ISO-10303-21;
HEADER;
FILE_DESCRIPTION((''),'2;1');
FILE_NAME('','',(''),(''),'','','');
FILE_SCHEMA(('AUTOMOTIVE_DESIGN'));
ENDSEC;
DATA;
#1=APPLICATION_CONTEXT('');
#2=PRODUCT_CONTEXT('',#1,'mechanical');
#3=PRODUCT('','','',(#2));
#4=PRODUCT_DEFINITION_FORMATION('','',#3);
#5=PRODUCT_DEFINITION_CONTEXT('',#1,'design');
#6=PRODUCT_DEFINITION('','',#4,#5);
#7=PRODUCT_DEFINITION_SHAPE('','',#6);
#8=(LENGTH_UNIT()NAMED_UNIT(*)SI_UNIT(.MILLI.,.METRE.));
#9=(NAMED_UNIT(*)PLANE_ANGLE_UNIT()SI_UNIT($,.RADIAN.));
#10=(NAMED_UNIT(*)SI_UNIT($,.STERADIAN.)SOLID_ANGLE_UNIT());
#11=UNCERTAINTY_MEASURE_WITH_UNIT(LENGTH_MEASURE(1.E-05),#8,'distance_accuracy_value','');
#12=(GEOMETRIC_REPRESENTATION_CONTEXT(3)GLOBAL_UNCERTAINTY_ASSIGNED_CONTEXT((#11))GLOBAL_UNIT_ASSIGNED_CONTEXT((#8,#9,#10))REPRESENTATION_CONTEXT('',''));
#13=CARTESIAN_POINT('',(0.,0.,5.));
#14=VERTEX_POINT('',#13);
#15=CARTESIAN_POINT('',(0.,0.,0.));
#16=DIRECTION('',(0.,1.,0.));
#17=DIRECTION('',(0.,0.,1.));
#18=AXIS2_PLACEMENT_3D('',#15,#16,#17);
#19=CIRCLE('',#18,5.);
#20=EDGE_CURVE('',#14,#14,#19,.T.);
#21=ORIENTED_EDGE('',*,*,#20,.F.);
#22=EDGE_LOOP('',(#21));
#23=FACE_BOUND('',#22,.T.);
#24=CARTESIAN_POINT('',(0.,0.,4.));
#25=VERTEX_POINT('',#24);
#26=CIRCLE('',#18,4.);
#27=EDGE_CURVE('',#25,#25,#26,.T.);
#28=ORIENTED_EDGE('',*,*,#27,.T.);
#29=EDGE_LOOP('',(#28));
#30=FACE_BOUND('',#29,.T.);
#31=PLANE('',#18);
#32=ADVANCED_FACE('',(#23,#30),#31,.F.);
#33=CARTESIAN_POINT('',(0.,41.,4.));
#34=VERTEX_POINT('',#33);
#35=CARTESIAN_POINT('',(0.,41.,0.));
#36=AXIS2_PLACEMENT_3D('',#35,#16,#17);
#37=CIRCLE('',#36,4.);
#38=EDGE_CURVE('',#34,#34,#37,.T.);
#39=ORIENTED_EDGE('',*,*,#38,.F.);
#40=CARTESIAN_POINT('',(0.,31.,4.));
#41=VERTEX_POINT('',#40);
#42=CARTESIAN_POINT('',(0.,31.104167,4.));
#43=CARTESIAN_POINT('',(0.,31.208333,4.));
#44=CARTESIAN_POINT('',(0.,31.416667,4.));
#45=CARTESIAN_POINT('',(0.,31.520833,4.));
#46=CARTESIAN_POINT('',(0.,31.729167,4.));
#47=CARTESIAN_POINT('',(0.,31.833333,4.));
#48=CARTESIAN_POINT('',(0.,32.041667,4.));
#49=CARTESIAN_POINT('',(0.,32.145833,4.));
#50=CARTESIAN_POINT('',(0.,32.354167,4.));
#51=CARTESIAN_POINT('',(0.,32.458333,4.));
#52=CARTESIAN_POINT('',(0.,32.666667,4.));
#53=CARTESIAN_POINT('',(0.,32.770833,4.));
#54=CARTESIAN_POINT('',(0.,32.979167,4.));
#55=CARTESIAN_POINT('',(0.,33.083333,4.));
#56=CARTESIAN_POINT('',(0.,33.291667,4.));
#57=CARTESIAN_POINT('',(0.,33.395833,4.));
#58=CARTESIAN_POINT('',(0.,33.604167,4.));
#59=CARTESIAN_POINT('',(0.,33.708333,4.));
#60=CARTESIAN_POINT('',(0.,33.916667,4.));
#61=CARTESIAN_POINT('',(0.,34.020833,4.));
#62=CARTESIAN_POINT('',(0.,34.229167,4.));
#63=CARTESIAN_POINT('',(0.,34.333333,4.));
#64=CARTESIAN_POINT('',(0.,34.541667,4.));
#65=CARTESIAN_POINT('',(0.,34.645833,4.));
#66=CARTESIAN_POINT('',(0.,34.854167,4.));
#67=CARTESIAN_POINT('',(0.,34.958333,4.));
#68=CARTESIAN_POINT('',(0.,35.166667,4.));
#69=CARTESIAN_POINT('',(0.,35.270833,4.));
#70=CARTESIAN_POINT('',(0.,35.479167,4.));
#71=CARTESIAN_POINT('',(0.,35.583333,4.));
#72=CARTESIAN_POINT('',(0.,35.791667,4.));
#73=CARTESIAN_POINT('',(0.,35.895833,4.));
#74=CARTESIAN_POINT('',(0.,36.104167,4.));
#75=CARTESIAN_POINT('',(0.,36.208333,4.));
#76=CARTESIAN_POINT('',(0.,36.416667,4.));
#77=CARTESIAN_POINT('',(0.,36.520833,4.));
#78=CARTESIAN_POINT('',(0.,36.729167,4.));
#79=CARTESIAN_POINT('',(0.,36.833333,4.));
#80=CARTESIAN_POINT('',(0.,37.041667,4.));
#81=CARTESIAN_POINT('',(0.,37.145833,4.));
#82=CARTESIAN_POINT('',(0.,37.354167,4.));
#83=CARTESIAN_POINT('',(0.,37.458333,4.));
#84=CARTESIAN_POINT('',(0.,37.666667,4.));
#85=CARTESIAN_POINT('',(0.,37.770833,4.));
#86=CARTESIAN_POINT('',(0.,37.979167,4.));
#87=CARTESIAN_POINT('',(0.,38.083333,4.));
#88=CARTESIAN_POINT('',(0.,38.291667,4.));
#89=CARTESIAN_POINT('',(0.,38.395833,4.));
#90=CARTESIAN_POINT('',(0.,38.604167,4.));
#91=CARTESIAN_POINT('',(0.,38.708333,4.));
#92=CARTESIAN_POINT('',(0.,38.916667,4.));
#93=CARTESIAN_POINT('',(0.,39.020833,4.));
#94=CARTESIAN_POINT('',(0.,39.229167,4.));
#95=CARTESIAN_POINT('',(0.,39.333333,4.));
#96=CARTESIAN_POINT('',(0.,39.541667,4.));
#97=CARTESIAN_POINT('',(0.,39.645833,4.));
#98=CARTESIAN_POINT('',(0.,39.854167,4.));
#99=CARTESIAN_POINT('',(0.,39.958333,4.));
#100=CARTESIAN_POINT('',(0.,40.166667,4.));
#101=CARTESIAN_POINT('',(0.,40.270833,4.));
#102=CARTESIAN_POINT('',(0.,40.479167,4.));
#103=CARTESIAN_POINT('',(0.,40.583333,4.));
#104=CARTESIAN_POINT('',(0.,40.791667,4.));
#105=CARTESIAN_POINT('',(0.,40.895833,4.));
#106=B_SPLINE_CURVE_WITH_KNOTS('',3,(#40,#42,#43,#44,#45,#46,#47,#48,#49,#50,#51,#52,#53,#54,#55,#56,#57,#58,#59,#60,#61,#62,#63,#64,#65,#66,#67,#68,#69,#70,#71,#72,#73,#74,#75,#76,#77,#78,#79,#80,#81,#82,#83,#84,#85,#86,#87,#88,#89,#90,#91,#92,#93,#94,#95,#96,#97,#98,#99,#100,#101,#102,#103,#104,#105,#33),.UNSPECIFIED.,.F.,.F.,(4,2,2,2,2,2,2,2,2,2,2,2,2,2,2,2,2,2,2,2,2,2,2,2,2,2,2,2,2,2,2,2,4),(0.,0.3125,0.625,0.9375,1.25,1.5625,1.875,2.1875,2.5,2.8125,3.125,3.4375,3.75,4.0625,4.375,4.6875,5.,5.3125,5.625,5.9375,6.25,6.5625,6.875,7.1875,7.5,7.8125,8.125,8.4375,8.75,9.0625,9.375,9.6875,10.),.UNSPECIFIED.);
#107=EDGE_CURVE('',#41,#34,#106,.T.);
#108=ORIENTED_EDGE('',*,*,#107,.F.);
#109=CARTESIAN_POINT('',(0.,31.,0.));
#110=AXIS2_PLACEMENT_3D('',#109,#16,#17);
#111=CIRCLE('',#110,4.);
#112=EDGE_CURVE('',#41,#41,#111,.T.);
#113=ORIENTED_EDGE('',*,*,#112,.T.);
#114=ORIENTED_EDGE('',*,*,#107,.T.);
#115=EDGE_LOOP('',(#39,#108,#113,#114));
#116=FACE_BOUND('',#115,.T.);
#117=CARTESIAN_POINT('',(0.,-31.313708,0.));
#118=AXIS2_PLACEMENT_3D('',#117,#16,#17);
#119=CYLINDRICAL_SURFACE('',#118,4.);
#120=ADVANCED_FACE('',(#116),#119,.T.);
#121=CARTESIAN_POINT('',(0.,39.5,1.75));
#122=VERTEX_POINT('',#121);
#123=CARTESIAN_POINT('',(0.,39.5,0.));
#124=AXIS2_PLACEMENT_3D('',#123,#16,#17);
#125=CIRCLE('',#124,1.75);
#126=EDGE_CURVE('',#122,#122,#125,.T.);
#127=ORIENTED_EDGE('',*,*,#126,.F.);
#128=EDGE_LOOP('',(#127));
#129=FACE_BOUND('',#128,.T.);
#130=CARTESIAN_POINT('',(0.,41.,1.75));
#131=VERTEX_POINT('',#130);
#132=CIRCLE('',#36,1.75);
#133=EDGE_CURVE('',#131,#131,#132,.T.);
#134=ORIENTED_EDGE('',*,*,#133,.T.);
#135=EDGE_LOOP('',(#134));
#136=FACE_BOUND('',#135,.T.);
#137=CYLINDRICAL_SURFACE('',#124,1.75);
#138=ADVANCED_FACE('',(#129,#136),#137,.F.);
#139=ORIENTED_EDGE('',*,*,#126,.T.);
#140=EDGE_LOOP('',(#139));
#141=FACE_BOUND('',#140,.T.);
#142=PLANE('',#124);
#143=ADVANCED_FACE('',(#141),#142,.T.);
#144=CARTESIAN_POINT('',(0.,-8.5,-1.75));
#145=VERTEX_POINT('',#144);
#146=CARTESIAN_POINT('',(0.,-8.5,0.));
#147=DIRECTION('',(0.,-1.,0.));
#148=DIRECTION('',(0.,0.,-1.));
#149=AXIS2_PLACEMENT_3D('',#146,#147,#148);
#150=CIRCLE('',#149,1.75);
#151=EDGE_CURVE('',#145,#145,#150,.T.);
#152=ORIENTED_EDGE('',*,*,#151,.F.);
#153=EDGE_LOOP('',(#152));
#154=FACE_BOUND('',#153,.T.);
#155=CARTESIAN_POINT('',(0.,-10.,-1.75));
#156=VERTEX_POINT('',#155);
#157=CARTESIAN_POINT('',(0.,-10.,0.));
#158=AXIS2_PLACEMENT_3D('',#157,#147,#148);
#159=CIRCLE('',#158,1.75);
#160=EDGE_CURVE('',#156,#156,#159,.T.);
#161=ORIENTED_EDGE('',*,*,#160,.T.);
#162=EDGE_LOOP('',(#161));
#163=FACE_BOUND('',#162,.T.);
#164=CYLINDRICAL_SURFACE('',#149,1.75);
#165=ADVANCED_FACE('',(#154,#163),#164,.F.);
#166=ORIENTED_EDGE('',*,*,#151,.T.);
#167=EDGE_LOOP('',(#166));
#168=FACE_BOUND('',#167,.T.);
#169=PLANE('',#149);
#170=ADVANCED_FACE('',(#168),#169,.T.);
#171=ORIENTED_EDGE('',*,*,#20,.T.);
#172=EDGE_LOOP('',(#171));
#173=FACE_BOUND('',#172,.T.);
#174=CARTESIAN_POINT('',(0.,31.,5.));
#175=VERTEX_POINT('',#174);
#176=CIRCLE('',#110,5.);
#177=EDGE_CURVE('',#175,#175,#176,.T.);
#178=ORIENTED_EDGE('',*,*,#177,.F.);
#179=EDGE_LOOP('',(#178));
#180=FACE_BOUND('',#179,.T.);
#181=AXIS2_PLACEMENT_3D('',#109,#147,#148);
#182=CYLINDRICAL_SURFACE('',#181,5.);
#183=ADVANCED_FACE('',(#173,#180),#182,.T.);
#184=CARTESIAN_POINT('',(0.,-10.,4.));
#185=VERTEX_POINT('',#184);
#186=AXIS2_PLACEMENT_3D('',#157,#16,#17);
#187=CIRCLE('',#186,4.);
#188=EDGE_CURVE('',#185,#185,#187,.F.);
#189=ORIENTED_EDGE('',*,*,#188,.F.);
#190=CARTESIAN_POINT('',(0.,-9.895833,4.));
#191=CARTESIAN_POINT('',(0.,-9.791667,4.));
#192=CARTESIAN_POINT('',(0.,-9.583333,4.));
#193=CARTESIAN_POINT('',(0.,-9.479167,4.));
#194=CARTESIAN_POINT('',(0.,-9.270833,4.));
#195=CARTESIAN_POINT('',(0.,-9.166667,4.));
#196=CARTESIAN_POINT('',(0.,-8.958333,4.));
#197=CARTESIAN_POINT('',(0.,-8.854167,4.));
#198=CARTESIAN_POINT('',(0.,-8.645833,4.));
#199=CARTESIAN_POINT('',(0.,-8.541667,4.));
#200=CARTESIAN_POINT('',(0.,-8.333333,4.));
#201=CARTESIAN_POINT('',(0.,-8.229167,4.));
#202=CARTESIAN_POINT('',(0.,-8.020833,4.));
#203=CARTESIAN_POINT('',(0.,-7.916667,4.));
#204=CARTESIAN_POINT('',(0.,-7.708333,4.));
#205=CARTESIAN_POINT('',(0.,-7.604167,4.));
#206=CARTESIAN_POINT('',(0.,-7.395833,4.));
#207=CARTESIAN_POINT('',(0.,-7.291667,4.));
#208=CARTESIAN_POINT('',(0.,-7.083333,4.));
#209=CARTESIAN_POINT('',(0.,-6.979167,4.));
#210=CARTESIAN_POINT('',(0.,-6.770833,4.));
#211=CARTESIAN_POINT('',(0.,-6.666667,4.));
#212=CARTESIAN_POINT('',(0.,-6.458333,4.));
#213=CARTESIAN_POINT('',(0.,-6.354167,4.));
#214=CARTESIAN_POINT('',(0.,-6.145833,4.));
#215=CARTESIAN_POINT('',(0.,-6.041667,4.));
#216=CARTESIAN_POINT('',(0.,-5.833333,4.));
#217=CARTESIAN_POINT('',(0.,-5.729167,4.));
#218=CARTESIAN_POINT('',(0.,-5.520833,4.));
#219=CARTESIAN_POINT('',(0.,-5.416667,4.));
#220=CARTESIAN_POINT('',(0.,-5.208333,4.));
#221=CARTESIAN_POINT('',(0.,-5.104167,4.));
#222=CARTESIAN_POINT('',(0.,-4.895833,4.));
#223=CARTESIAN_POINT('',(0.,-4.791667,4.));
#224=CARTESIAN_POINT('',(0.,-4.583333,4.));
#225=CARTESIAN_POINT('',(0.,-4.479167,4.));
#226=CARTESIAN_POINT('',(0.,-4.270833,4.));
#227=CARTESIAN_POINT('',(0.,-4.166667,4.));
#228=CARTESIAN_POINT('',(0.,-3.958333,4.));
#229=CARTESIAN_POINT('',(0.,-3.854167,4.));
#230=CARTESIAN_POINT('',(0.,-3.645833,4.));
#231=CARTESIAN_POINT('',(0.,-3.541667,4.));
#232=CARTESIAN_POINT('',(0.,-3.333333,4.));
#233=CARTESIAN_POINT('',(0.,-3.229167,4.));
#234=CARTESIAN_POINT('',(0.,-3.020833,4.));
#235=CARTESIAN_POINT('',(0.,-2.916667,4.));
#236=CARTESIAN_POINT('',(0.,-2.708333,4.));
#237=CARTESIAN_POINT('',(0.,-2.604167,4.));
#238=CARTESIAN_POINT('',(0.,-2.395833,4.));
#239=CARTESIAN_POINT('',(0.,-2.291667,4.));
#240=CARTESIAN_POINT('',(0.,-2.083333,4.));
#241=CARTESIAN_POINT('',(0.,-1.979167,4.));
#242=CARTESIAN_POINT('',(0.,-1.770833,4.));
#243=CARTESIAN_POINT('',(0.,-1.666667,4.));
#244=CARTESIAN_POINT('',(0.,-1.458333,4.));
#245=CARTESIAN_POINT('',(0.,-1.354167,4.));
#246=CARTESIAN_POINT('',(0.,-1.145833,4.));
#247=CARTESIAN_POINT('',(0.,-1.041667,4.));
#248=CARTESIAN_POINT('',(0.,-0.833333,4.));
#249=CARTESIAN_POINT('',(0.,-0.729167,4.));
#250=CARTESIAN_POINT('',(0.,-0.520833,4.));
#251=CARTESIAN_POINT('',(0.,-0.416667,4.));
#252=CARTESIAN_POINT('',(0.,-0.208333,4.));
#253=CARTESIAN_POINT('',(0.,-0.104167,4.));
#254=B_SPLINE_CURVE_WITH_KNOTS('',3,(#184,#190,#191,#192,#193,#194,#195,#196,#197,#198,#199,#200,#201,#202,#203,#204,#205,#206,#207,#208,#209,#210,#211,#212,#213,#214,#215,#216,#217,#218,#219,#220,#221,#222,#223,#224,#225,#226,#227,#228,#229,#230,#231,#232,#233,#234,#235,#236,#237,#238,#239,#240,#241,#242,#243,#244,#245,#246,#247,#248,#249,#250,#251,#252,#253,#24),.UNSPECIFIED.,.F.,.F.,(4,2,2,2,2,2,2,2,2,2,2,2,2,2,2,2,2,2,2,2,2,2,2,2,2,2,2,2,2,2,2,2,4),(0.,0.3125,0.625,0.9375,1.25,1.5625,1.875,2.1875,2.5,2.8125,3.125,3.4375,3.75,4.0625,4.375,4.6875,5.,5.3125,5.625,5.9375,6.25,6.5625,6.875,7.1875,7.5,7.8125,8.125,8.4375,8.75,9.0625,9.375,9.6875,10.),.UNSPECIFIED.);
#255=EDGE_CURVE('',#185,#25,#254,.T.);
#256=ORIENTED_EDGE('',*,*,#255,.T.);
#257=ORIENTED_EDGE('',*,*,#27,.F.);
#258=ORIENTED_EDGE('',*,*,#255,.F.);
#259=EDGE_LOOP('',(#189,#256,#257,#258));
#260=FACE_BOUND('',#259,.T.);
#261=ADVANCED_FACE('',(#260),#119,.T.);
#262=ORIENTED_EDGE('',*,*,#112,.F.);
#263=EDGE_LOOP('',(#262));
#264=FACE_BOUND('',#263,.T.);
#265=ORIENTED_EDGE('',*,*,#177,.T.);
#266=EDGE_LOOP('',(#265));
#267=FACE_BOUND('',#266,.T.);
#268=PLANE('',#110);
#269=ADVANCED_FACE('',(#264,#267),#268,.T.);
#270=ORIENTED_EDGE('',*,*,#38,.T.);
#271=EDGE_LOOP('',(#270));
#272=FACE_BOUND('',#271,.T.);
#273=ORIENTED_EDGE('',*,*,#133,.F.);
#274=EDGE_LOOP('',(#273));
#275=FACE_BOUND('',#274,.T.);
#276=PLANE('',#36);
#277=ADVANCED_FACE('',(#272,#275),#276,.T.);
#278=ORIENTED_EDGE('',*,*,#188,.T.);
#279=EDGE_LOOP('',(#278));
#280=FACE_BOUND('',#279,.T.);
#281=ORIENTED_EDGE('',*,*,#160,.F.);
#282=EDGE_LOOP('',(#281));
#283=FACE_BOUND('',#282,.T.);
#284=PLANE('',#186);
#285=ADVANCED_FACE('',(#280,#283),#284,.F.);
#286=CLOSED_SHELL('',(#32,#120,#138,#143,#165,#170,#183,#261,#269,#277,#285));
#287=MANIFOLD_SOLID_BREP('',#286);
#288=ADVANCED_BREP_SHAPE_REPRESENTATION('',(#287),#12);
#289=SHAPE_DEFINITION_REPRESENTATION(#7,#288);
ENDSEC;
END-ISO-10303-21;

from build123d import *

# Parameters (mm, degrees)
SKETCH1_R                = 5
BOSS_EXTRUDE1_DEPTH      = 31
BOSS_EXTRUDE2_DEPTH      = 10
BOSS_EXTRUDE2_DEPTH_BACK = 41
SKETCH2_R                = 4
SKETCH3_R                = 1.75
CUT_EXTRUDE1_DEPTH       = 1.5
CUT_EXTRUDE2_START       = -1.5
SKETCH4_R                = 1.75
CUT_EXTRUDE2_DEPTH       = 1.5


with BuildPart() as part:
    # Sketch1 → Boss-Extrude1 (new body)
    with BuildSketch(Plane(origin=(0, 0, 0), x_dir=(1, 0, 0), z_dir=(0, 1, 0))):
        with Locations(Location((0, 0, 0), (0, 0, 270))):
            Circle(SKETCH1_R)
    extrude(amount=BOSS_EXTRUDE1_DEPTH)

    # Sketch2 → Boss-Extrude2 (add, two sides: drawn at the far end of the back side and taken through both)
    with BuildSketch(Plane(origin=(0, 31, 0), x_dir=(1, 0, 0), z_dir=(0, 1, 0)).offset(-BOSS_EXTRUDE2_DEPTH_BACK)):
        with Locations(Location((0, 0, 0), (0, 0, 270))):
            Circle(SKETCH2_R)
    extrude(amount=BOSS_EXTRUDE2_DEPTH + BOSS_EXTRUDE2_DEPTH_BACK)

    # Sketch3 → Cut-Extrude1 (cut)
    with BuildSketch(Plane.XZ.offset(10)):
        with Locations(Location((0, 0, 0), (0, 0, 270))):
            Circle(SKETCH3_R)
    extrude(amount=-CUT_EXTRUDE1_DEPTH, mode=Mode.SUBTRACT)

    # Sketch4 → Cut-Extrude2 (cut)
    with BuildSketch(Plane(origin=(0, 41, 0), x_dir=(1, 0, 0), z_dir=(0, 1, 0)).offset(CUT_EXTRUDE2_START)):
        with Locations(Location((0, 0, 0), (0, 0, 90))):
            Circle(SKETCH4_R)
    extrude(amount=CUT_EXTRUDE2_DEPTH, mode=Mode.SUBTRACT)


solid = part.part
